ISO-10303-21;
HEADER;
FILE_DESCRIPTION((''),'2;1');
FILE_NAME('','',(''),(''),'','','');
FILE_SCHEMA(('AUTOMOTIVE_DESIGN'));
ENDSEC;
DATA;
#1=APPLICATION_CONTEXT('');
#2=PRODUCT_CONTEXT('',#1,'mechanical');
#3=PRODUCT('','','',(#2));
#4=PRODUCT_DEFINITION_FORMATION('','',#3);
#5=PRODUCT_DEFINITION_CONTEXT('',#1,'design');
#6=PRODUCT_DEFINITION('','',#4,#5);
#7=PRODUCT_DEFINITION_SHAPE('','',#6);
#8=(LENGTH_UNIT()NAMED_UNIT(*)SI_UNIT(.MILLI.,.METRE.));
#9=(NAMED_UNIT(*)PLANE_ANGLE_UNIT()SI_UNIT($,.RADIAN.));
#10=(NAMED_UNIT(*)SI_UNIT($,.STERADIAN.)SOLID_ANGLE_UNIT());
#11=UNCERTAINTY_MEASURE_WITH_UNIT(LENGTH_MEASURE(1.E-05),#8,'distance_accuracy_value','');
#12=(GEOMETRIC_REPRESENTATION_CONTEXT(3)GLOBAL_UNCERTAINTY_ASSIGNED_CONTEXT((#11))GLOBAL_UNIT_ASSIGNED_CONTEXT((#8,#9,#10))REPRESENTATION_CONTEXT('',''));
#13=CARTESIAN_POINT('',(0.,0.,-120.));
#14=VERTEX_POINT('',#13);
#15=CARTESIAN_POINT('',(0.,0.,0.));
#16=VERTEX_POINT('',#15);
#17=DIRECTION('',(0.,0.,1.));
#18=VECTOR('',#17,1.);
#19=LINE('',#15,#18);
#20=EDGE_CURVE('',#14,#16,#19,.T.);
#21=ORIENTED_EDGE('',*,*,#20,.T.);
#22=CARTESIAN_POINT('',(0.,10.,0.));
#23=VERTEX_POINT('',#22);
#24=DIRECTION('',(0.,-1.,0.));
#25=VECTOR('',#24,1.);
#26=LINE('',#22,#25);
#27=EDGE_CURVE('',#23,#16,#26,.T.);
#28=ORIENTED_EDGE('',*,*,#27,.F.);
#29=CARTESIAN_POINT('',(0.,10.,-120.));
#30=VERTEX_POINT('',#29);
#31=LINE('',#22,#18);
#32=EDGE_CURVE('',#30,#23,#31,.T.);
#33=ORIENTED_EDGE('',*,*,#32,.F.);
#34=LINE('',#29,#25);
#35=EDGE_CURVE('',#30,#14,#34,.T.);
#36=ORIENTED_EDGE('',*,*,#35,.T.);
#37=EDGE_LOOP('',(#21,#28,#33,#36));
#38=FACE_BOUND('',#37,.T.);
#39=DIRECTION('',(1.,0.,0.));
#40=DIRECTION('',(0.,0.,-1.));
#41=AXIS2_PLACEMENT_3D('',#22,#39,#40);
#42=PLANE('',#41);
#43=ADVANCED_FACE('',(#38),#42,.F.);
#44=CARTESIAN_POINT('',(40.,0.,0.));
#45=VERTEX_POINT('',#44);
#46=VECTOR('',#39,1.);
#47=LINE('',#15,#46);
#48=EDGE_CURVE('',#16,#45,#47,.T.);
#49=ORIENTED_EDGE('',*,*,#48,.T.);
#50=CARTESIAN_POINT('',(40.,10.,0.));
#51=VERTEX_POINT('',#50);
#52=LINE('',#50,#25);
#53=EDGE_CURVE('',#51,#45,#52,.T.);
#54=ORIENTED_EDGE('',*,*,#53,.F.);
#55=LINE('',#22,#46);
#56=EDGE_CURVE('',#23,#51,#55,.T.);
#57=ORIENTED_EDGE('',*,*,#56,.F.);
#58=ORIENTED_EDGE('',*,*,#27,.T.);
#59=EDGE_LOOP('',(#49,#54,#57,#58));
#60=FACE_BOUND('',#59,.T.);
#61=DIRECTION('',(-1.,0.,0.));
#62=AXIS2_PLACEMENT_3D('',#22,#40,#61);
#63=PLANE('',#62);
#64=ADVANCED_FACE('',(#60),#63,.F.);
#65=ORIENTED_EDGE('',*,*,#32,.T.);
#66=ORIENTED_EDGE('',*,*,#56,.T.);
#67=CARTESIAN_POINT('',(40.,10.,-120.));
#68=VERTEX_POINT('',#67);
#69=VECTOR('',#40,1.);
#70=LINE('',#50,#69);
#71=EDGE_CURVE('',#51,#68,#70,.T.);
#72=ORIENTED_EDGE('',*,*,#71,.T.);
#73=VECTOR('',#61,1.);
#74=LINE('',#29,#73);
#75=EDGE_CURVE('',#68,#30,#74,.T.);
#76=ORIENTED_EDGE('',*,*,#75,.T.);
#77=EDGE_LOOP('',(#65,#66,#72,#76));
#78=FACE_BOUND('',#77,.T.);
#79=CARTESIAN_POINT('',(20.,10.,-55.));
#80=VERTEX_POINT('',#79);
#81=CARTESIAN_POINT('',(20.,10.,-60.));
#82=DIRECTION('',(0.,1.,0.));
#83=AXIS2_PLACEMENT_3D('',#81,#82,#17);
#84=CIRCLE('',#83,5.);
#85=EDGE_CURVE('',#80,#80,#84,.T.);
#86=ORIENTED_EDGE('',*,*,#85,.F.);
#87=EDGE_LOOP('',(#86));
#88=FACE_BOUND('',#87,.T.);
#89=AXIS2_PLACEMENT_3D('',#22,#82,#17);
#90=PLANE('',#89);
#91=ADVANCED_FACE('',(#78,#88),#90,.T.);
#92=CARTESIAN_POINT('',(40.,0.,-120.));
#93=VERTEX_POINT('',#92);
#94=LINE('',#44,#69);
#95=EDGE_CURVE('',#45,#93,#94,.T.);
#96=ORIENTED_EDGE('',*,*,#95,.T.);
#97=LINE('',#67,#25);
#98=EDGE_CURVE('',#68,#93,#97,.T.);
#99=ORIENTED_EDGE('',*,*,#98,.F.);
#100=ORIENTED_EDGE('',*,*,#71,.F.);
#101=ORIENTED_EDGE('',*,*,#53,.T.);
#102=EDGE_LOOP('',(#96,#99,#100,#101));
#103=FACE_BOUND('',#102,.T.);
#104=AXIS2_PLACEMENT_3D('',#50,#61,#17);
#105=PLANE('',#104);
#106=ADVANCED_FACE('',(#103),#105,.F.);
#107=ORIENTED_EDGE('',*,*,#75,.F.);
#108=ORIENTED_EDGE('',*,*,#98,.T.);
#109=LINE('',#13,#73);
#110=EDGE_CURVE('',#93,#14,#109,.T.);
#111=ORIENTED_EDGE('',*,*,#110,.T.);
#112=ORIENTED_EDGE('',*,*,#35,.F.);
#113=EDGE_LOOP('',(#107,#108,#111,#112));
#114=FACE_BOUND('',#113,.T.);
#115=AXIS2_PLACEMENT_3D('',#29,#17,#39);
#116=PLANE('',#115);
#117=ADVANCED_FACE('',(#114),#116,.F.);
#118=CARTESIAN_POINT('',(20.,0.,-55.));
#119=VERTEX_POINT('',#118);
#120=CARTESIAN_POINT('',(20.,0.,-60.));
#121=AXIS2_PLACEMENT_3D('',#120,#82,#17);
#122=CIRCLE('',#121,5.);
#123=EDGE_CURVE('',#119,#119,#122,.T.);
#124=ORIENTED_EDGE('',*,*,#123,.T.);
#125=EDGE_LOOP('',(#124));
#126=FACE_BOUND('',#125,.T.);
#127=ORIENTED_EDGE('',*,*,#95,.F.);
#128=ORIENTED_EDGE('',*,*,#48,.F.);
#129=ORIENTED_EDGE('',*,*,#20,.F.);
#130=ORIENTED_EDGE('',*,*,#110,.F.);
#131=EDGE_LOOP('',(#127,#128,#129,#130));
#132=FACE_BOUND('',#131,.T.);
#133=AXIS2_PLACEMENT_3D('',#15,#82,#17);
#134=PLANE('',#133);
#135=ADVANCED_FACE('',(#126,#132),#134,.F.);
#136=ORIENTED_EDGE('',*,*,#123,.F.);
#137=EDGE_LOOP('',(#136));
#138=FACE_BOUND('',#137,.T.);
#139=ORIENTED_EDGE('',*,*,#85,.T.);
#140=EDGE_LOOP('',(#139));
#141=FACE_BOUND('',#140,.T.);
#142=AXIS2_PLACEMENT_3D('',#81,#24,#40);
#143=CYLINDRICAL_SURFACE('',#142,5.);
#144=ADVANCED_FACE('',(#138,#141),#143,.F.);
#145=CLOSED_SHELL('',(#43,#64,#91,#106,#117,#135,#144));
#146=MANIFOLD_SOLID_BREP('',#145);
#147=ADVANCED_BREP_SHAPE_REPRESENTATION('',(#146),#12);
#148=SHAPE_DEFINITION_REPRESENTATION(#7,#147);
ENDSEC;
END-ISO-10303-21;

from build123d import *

# Parameters (mm, degrees)
BOSS_EXTRUDE1_DEPTH = 10


with BuildPart() as part:
    # Sketch1 → Boss-Extrude1 (new body)
    with BuildSketch(Plane(origin=(0, 0, 0), x_dir=(1, 0, 0), z_dir=(0, 1, 0))):
        with BuildLine():
            Line((0, 120), (0, 60))
            Line((0, 60), (15, 60))
            ThreePointArc((15, 60), (20, 65), (25, 60))
            Line((25, 60), (40, 60))
            Line((40, 60), (40, 120))
            Line((40, 120), (0, 120))
        make_face()
        with BuildLine():
            Line((0, 60), (0, 0))
            Line((0, 0), (40, 0))
            Line((40, 0), (40, 60))
            Line((40, 60), (25, 60))
            ThreePointArc((25, 60), (20, 55), (15, 60))
            Line((15, 60), (0, 60))
        make_face()
    extrude(amount=BOSS_EXTRUDE1_DEPTH)


solid = part.part
